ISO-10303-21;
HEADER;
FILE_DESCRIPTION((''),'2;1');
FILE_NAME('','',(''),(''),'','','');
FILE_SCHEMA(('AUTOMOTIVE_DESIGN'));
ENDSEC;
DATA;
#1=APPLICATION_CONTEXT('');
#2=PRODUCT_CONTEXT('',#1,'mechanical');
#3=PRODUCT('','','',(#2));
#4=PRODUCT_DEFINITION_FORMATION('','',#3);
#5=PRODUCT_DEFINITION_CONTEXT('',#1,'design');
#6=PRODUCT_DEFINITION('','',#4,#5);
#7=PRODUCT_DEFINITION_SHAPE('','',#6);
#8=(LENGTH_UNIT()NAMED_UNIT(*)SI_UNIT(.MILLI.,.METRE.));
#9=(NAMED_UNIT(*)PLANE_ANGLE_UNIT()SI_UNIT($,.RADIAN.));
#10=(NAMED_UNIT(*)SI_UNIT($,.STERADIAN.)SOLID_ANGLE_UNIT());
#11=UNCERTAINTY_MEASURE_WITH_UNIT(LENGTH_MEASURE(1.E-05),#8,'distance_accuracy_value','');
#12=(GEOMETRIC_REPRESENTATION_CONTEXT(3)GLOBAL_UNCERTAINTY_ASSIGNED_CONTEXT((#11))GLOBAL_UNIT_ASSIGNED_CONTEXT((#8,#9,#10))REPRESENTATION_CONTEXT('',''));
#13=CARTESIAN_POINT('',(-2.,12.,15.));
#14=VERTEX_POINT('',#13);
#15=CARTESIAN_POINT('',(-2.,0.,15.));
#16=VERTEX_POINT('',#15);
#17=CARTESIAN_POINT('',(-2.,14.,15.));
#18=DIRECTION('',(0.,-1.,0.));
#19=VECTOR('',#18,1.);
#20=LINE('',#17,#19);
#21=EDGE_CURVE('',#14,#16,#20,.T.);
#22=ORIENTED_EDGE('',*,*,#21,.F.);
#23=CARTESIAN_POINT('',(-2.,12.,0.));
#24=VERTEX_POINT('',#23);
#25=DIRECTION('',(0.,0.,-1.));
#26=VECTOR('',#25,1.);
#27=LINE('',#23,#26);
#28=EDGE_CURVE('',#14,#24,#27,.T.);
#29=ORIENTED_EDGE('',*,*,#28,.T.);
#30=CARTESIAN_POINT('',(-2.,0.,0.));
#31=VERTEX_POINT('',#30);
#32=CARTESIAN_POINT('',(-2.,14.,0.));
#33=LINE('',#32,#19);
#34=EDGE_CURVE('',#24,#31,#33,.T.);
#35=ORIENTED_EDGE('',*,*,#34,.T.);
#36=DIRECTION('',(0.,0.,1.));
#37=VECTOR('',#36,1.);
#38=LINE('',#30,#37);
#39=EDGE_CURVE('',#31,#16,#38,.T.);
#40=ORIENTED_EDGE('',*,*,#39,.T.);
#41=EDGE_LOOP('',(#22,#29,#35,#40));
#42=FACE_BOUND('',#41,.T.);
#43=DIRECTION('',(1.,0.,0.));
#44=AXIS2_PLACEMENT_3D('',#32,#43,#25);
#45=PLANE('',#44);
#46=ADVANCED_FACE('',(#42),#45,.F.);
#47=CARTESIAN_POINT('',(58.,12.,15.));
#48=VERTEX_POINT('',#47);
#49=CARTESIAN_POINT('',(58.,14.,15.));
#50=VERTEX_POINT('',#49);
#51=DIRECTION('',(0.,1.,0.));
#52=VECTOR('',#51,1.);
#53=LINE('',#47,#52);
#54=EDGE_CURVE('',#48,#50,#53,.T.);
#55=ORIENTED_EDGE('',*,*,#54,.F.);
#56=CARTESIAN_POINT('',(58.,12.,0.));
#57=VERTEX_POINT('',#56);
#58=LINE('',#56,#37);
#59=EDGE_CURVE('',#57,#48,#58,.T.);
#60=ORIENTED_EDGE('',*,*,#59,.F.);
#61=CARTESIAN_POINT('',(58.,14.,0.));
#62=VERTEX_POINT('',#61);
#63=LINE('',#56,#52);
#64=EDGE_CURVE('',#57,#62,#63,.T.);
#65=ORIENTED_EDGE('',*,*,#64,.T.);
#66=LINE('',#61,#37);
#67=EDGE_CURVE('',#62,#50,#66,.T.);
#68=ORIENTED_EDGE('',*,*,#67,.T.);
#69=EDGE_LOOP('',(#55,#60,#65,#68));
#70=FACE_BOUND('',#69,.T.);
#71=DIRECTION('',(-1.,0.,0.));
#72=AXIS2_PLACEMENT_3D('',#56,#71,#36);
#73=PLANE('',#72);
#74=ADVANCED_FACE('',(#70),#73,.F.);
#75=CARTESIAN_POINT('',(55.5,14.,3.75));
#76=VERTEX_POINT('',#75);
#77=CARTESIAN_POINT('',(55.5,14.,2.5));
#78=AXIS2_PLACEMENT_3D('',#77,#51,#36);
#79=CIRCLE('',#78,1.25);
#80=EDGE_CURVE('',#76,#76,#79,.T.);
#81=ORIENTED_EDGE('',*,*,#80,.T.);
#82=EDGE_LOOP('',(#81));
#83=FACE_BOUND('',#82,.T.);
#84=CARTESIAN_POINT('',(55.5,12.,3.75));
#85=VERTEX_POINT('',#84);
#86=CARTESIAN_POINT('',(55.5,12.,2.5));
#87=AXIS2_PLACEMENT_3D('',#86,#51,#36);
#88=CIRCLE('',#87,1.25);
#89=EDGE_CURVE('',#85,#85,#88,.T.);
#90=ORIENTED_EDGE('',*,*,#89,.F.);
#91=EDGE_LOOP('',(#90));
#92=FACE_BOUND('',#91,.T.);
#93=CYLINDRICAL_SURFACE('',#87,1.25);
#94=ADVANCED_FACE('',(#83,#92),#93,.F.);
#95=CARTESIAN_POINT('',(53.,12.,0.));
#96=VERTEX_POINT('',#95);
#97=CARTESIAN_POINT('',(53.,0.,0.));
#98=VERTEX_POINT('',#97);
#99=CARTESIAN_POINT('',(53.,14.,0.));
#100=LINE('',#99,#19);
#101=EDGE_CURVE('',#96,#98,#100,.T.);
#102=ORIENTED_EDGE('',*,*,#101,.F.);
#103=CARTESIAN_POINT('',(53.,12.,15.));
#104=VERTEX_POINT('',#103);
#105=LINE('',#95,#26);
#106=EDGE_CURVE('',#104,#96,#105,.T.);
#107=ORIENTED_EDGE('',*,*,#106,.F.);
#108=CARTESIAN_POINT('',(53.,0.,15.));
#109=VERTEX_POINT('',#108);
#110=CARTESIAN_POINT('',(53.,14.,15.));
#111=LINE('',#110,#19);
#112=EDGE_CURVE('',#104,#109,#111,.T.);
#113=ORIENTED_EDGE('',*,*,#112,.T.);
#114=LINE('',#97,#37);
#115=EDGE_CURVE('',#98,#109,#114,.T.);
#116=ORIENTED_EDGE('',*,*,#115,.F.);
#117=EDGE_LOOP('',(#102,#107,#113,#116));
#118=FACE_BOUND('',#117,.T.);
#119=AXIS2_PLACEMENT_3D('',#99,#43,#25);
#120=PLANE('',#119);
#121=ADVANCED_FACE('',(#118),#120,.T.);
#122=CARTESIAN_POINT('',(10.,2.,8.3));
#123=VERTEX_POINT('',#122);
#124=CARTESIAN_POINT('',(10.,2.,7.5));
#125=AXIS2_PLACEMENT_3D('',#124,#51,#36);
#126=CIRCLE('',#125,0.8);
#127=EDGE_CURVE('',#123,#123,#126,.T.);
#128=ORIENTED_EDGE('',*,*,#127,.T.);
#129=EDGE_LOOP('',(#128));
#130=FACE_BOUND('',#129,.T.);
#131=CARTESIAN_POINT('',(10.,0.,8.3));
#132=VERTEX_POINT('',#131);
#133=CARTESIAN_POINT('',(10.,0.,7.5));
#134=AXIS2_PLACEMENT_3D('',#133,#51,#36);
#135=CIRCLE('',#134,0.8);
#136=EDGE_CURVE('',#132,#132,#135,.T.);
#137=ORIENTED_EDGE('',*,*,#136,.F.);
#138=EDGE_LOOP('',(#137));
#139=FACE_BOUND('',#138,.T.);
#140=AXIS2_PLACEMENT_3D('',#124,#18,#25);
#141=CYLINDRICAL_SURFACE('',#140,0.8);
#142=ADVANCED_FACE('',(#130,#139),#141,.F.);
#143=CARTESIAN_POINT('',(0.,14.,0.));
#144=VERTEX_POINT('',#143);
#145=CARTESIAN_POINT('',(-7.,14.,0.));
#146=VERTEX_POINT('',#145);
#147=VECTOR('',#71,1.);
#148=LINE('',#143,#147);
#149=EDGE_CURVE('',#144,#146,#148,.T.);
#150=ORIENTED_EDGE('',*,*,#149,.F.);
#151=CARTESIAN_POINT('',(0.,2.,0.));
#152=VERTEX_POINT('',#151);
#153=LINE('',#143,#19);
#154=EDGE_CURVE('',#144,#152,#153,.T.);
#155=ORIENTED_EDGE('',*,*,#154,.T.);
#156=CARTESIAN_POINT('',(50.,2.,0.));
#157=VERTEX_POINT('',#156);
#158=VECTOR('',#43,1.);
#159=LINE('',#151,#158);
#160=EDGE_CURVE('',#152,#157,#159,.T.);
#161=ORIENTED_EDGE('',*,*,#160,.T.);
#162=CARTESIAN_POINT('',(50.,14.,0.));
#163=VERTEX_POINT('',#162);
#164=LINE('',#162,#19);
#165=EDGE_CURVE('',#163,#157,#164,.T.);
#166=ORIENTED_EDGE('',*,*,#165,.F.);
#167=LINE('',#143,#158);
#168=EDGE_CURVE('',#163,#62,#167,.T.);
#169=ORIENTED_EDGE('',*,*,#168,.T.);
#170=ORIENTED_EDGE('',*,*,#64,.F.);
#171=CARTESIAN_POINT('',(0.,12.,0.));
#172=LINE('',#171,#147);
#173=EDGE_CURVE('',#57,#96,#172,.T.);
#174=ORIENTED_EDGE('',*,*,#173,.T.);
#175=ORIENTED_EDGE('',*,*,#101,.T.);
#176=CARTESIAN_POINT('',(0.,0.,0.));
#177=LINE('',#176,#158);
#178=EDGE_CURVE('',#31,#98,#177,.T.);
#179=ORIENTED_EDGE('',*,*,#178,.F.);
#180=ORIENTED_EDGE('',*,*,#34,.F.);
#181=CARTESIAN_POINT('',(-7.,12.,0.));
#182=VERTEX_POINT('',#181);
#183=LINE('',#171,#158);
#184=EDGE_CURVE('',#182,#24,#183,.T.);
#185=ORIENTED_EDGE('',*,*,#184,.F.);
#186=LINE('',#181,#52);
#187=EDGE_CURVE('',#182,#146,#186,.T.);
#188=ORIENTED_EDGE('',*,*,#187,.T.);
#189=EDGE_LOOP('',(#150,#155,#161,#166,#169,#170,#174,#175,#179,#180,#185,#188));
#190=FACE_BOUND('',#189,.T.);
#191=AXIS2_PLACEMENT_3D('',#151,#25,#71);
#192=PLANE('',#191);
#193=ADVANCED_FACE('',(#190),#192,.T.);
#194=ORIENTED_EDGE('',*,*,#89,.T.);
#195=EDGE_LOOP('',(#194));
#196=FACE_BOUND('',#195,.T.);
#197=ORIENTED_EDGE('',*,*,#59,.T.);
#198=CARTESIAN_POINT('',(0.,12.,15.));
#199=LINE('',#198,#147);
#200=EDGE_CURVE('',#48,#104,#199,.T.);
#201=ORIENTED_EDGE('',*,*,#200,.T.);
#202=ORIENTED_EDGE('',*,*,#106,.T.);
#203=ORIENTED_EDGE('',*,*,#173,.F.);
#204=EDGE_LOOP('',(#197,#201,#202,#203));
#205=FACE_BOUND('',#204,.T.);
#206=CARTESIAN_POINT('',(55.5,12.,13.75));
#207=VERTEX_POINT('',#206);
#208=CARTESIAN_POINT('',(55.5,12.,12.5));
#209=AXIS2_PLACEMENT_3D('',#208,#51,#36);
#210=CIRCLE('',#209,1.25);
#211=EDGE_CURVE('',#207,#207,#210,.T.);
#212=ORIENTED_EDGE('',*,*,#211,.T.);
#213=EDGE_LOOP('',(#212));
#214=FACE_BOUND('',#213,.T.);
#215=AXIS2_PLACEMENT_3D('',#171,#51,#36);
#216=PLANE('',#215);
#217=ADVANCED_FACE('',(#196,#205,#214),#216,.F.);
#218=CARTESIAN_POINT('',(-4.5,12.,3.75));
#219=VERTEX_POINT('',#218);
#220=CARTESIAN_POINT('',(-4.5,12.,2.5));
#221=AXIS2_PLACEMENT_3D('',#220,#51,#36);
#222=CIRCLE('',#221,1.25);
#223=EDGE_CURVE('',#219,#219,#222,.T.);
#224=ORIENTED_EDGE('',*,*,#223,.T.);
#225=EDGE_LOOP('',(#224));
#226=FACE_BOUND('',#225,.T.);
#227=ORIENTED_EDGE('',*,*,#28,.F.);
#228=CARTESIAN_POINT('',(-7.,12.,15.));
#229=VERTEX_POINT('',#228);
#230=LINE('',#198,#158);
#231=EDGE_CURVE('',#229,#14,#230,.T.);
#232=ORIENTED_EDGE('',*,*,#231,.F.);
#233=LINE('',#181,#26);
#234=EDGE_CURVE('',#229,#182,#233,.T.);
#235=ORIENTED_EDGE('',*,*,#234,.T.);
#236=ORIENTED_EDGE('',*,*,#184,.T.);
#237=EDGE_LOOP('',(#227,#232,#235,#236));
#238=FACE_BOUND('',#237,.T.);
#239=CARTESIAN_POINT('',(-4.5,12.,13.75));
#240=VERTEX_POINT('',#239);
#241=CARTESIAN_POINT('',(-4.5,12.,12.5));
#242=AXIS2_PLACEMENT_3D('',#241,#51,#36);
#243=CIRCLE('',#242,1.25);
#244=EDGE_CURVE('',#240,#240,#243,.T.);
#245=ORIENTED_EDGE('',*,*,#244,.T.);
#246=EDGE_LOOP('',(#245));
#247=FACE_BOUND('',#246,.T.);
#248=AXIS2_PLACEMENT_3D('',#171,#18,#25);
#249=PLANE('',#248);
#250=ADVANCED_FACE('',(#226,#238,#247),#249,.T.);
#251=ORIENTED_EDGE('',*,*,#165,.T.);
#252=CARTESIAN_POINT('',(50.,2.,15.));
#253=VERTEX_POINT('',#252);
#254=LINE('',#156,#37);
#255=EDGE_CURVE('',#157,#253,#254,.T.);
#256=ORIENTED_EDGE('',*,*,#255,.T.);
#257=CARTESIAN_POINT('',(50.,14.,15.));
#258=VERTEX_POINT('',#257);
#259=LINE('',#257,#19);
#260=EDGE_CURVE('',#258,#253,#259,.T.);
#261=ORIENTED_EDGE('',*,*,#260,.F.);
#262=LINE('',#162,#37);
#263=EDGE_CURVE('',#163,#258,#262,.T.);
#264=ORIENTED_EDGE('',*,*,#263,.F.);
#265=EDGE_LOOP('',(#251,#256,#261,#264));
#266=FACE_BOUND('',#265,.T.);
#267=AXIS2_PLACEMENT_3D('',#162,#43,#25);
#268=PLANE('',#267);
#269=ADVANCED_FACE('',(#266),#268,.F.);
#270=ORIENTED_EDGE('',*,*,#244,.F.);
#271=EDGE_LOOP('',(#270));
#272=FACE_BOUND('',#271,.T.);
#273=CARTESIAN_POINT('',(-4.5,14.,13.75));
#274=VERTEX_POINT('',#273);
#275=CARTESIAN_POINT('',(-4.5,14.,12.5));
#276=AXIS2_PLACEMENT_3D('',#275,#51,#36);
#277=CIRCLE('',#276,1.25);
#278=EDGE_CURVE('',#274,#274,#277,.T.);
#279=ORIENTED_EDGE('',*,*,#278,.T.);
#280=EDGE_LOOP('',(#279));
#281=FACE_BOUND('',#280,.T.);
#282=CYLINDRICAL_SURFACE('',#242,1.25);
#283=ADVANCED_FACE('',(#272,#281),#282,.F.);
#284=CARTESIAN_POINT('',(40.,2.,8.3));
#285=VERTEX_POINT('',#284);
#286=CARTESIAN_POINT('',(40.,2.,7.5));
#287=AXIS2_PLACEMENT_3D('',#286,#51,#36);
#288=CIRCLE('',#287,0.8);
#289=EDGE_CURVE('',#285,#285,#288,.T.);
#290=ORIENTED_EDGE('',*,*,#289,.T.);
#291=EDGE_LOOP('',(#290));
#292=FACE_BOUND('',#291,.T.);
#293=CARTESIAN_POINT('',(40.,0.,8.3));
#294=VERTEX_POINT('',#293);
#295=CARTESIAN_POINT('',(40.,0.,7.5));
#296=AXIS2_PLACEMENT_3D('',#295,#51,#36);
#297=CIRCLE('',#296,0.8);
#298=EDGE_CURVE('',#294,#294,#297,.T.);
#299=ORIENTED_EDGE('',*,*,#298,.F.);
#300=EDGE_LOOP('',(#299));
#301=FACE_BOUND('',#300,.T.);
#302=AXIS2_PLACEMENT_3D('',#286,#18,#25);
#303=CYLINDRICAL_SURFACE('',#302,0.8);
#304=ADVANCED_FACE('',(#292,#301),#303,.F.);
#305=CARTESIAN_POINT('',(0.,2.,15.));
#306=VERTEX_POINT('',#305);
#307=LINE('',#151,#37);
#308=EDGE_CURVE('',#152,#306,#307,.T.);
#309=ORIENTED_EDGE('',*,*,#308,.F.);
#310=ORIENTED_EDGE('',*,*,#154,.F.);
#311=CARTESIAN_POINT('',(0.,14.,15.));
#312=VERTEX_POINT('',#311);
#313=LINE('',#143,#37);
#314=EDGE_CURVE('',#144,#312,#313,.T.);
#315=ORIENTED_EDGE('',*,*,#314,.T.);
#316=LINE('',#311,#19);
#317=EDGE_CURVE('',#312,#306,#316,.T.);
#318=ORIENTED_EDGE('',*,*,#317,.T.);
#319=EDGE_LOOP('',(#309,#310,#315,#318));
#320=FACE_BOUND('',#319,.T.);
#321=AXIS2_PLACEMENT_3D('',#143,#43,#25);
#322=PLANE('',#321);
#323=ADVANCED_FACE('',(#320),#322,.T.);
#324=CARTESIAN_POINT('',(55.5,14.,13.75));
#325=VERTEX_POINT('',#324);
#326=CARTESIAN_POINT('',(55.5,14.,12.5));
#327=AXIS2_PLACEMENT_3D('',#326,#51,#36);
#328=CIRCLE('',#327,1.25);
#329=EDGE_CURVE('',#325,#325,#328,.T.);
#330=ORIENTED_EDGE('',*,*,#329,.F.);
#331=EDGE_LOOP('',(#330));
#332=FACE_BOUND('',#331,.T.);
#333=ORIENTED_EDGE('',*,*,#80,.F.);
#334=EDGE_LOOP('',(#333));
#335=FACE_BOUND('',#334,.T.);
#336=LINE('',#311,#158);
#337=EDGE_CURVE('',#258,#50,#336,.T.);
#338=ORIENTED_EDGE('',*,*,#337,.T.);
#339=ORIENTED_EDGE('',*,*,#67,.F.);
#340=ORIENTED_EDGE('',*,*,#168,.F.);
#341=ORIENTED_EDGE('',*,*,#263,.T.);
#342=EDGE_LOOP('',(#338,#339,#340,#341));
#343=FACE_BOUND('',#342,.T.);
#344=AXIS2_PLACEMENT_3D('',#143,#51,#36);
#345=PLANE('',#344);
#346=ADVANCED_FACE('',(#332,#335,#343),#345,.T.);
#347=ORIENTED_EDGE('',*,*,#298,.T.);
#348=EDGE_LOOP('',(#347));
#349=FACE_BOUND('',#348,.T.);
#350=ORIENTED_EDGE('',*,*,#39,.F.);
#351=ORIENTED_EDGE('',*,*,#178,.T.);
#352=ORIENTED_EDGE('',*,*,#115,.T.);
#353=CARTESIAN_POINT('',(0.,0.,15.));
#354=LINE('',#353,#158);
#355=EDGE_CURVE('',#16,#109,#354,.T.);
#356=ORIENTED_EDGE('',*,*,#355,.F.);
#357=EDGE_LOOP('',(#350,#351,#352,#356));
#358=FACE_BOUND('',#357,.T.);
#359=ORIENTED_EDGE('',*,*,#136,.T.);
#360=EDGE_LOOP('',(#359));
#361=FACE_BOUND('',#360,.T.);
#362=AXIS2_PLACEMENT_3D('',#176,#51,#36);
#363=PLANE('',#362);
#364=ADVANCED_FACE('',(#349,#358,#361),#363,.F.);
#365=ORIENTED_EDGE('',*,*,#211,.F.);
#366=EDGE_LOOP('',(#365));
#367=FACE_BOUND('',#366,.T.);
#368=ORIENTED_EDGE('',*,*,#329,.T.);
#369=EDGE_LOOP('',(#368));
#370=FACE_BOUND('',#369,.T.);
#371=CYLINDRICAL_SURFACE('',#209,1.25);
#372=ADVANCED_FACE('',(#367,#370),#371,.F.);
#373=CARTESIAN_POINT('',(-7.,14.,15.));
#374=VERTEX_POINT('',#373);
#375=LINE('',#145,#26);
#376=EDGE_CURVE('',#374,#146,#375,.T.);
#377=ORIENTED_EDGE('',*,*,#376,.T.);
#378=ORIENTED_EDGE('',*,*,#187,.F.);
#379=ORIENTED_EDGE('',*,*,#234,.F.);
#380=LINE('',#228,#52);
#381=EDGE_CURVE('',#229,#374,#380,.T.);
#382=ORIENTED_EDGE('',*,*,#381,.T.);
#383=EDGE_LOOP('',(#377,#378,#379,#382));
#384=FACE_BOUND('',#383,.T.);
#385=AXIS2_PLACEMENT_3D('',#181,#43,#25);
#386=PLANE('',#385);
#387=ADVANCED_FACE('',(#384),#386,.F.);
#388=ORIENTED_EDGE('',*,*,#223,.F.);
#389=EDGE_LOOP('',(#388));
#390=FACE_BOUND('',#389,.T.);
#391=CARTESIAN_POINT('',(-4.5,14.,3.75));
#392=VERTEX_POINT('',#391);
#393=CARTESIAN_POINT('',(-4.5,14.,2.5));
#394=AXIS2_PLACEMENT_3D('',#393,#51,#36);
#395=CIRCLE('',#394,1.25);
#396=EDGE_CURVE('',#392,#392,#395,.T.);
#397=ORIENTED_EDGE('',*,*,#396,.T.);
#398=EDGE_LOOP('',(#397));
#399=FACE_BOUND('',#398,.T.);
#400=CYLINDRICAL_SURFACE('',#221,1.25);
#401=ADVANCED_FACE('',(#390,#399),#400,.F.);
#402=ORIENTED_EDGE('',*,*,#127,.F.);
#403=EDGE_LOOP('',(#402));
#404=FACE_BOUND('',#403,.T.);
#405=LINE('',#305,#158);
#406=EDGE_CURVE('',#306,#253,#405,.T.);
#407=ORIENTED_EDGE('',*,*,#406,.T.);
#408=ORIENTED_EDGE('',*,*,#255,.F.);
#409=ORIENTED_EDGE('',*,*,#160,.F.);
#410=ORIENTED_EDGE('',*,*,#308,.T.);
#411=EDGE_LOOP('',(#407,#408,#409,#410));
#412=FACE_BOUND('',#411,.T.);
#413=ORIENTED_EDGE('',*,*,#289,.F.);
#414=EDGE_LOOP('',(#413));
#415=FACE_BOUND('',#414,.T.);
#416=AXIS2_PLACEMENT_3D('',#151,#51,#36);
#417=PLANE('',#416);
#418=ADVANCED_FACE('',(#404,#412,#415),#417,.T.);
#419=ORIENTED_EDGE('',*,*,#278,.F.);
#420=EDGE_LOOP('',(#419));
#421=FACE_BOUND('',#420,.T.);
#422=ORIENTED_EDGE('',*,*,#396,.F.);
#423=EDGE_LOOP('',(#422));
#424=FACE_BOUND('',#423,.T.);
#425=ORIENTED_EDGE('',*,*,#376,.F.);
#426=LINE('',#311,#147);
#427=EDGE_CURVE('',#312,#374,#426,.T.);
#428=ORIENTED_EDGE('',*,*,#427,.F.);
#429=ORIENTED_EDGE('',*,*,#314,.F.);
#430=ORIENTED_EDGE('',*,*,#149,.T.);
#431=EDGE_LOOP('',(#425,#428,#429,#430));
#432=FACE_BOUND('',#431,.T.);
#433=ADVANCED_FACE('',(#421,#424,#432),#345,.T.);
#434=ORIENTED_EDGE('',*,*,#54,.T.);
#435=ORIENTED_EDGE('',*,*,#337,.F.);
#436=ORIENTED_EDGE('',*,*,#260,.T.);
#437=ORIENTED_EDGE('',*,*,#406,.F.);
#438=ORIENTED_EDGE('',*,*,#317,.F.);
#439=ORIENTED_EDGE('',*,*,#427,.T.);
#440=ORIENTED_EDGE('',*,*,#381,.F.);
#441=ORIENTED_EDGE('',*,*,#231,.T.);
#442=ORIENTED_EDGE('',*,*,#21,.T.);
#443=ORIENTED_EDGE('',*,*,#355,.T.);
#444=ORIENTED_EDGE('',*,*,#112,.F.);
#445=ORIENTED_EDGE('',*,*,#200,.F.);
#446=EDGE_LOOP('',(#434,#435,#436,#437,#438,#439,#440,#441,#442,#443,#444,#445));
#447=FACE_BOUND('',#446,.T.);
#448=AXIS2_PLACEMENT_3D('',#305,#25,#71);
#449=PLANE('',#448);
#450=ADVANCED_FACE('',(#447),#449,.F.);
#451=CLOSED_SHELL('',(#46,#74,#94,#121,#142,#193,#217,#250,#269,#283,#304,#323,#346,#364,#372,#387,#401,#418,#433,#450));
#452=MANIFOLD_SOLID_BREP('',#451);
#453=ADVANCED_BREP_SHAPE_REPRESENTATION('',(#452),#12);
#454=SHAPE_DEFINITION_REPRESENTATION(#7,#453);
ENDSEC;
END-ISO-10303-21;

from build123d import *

# Parameters (mm, degrees)
SKETCH_1_W      = 50
SKETCH_1_H      = 15
SKETCH_1_R      = 0.8
EXTRUDE_2_DEPTH = 2
SKETCH_1_5_W    = 2
SKETCH_1_5_H    = 15
SKETCH_1_5_W_2  = 3
EXTRUDE_3_DEPTH = 14
EXTRUDE_START   = 14
SKETCH_1_6_R    = 1.25
EXTRUDE_4_DEPTH = 2


with BuildPart() as part:
    # 草图1 → 凸台-拉伸2 (new body)
    with BuildSketch(Plane(origin=(0, 0, 0), x_dir=(1, 0, 0), z_dir=(0, 1, 0))):
        with Locations((25, -7.5)):
            Rectangle(SKETCH_1_W, SKETCH_1_H)
        with Locations(Location((10, -7.5, 0), (0, 0, 270))):
            Circle(SKETCH_1_R, mode=Mode.SUBTRACT)
        with Locations(Location((40, -7.5, 0), (0, 0, 270))):
            Circle(SKETCH_1_R, mode=Mode.SUBTRACT)
    extrude(amount=EXTRUDE_2_DEPTH)

    # 草图1<5> → 凸台-拉伸3 (add)
    with BuildSketch(Plane(origin=(0, 0, 0), x_dir=(1, 0, 0), z_dir=(0, 1, 0))):
        with Locations((-1, -7.5)):
            Rectangle(SKETCH_1_5_W, SKETCH_1_5_H)
        with Locations((51.5, -7.5)):
            Rectangle(SKETCH_1_5_W_2, SKETCH_1_5_H)
    extrude(amount=EXTRUDE_3_DEPTH)

    # 草图1<6> → 凸台-拉伸4 (add)
    # profile 1 of 2: a face of its own
    with BuildSketch(Plane(origin=(0, 0, 0), x_dir=(1, 0, 0), z_dir=(0, 1, 0)).offset(EXTRUDE_START)):
        Polygon((-2, 0), (-4.5, 0), (-7, 0), (-7, -15), (-4.5, -15), (-2, -15), align=None)
        with Locations(Location((-4.5, -12.5, 0), (0, 0, 270))):
            Circle(SKETCH_1_6_R, mode=Mode.SUBTRACT)
        with Locations(Location((-4.5, -2.5, 0), (0, 0, 270))):
            Circle(SKETCH_1_6_R, mode=Mode.SUBTRACT)
    # profile 2 of 2: a face of its own
    with BuildSketch(Plane(origin=(0, 0, 0), x_dir=(1, 0, 0), z_dir=(0, 1, 0)).offset(EXTRUDE_START)):
        Polygon((55.5, 0), (53, 0), (53, -15), (58, -15), (58, 0), align=None)
        with Locations(Location((55.5, -12.5, 0), (0, 0, 270))):
            Circle(SKETCH_1_6_R, mode=Mode.SUBTRACT)
        with Locations(Location((55.5, -2.5, 0), (0, 0, 270))):
            Circle(SKETCH_1_6_R, mode=Mode.SUBTRACT)
    extrude(amount=-EXTRUDE_4_DEPTH)


solid = part.part
